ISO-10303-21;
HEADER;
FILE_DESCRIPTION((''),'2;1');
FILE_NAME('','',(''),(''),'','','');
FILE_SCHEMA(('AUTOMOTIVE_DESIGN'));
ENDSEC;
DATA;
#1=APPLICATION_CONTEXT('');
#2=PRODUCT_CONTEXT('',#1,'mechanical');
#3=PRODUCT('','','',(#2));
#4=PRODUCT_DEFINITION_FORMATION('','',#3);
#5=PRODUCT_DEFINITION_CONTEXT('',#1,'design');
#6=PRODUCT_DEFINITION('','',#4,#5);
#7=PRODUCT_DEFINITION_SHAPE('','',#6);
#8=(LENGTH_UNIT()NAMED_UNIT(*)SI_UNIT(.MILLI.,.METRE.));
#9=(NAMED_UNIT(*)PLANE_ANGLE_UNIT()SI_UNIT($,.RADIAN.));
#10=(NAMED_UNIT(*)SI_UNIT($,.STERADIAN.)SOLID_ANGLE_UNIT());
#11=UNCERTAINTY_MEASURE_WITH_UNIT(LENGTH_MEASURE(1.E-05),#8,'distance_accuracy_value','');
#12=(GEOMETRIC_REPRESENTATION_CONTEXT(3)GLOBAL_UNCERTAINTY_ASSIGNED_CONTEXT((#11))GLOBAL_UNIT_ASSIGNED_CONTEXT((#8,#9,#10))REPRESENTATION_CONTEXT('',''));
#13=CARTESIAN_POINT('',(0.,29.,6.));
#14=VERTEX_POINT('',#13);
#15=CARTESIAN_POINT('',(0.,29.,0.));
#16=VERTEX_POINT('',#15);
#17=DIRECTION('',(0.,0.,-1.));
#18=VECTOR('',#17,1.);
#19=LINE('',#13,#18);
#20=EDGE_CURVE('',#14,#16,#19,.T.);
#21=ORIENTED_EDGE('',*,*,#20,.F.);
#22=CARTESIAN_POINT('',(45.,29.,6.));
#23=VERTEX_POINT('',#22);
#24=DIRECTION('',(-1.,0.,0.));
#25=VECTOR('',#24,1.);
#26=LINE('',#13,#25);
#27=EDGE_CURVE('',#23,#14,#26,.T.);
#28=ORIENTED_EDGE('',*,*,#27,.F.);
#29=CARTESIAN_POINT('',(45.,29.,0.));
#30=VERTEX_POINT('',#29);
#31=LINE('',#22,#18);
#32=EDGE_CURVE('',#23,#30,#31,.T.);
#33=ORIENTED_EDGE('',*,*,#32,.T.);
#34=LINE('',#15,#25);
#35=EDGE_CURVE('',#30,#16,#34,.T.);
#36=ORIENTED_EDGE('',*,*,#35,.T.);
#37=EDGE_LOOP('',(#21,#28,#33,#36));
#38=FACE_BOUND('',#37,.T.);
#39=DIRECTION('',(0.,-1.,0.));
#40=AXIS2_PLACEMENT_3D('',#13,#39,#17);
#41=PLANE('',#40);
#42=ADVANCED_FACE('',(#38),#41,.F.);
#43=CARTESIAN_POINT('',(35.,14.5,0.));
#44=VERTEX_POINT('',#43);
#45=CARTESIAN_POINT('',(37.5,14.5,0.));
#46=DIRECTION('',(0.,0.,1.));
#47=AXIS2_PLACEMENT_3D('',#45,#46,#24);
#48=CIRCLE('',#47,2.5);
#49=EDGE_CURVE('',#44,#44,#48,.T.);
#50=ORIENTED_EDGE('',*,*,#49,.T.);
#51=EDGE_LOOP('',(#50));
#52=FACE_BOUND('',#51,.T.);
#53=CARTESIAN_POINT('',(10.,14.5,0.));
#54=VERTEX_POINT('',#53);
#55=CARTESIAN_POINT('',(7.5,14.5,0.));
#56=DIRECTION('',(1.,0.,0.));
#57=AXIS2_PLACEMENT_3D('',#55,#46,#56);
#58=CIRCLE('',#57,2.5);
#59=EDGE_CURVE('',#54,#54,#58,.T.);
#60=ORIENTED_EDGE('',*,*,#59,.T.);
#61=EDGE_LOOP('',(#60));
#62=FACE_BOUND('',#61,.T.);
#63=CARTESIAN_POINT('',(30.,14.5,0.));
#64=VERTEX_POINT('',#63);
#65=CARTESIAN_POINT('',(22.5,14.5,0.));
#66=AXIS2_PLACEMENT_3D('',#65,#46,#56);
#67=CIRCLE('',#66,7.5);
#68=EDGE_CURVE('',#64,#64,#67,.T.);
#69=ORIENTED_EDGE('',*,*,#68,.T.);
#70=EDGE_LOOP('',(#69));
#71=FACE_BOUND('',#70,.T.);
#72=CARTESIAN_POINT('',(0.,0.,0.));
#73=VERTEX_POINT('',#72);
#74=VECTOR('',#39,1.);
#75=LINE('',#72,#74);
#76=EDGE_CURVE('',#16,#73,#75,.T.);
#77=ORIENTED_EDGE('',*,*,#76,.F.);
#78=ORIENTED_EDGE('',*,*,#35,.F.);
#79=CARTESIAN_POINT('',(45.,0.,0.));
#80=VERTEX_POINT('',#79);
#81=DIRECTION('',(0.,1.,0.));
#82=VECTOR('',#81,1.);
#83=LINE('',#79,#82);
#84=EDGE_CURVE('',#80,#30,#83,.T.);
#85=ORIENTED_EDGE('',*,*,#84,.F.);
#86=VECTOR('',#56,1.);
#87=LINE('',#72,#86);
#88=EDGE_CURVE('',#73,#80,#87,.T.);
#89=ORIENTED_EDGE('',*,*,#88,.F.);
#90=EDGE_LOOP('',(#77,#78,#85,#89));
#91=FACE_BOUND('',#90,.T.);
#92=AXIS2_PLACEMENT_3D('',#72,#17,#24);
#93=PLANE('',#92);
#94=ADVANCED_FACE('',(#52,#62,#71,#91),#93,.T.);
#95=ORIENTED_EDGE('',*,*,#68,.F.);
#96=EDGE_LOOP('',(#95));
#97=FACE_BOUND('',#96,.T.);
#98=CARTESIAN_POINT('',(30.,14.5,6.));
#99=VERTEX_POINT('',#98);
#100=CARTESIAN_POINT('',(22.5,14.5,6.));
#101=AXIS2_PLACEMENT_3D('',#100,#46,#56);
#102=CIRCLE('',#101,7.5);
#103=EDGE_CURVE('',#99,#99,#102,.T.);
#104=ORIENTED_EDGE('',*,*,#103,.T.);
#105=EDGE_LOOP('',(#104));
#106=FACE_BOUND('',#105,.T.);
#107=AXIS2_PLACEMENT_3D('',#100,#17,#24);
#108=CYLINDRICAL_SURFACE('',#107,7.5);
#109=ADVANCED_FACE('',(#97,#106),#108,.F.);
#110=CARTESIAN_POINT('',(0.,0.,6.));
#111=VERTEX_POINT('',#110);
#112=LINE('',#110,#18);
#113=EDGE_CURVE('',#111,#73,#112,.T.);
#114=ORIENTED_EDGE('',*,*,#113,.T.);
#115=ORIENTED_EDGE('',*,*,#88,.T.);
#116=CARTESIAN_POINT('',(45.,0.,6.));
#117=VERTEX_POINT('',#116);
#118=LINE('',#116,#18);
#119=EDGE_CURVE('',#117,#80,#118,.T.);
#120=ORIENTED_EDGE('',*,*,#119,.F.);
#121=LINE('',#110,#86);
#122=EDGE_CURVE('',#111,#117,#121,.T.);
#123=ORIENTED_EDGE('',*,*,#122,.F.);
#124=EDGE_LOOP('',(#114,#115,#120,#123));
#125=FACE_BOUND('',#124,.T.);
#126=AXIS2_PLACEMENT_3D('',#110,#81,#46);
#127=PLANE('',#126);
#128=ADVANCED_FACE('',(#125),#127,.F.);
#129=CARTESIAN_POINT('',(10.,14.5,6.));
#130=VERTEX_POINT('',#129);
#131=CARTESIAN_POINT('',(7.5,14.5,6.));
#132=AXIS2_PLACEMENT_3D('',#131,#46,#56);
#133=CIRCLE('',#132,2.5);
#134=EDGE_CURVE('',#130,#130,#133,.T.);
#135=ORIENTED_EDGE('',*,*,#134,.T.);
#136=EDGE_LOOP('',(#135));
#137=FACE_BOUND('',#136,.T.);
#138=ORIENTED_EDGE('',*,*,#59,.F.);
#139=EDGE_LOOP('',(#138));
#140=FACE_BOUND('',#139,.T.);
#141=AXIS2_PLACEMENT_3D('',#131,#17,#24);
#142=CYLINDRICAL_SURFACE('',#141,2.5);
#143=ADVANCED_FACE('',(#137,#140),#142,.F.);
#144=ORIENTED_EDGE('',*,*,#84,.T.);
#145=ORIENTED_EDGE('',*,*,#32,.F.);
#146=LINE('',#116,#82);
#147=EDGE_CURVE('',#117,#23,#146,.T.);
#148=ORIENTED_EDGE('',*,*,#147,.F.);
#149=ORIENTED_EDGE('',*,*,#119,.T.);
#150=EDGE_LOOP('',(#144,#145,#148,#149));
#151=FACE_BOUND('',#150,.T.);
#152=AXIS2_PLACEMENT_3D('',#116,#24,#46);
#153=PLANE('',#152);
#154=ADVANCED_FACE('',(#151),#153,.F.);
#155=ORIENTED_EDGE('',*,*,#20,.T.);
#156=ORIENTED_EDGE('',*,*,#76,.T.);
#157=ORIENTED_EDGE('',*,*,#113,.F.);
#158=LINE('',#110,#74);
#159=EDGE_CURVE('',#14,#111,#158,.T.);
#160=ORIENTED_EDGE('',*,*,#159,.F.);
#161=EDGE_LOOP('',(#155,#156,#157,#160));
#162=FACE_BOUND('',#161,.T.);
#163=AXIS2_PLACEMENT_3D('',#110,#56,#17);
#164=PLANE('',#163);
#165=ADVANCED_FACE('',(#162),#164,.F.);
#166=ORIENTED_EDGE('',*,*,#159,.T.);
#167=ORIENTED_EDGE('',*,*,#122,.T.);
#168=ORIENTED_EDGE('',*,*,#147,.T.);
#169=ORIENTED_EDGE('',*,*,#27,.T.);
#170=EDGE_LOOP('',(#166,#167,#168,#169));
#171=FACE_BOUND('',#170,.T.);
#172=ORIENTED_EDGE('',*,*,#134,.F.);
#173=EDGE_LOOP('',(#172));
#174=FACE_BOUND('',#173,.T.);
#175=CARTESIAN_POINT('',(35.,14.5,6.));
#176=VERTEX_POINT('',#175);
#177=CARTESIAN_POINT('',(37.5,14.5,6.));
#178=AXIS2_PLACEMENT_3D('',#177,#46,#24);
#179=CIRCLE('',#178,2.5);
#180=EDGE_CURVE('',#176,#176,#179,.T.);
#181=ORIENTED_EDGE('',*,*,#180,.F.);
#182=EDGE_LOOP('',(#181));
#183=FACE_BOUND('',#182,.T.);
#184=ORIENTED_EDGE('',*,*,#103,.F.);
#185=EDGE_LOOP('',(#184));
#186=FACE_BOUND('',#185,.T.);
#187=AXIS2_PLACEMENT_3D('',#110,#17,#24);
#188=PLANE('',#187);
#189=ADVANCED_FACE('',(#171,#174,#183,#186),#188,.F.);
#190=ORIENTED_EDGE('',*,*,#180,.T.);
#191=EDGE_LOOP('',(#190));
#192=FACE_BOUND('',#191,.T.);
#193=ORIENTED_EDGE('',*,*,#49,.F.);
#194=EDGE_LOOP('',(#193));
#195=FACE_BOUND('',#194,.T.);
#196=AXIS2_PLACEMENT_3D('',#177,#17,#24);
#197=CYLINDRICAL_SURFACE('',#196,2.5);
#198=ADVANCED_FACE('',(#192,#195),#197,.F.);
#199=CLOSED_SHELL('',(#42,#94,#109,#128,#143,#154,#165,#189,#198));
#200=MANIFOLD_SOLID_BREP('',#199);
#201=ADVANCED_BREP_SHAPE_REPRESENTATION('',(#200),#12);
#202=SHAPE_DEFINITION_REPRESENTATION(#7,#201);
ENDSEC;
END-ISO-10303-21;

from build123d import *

# Parameters (mm, degrees)
SKETCH1_W           = 45
SKETCH1_H           = 29
SKETCH1_R           = 7.5
SKETCH1_R_2         = 2.5
BOSS_EXTRUDE1_DEPTH = 6


with BuildPart() as part:
    # Sketch1 → Boss-Extrude1 (new body)
    with BuildSketch(Plane.XY):
        with Locations((22.5, 14.5)):
            Rectangle(SKETCH1_W, SKETCH1_H)
        with Locations((22.5, 14.5)):
            Circle(SKETCH1_R, mode=Mode.SUBTRACT)
        with Locations((7.5, 14.5)):
            Circle(SKETCH1_R_2, mode=Mode.SUBTRACT)
        with Locations(Location((37.5, 14.5, 0), (0, 0, 180))):
            Circle(SKETCH1_R_2, mode=Mode.SUBTRACT)
    extrude(amount=BOSS_EXTRUDE1_DEPTH)


solid = part.part
